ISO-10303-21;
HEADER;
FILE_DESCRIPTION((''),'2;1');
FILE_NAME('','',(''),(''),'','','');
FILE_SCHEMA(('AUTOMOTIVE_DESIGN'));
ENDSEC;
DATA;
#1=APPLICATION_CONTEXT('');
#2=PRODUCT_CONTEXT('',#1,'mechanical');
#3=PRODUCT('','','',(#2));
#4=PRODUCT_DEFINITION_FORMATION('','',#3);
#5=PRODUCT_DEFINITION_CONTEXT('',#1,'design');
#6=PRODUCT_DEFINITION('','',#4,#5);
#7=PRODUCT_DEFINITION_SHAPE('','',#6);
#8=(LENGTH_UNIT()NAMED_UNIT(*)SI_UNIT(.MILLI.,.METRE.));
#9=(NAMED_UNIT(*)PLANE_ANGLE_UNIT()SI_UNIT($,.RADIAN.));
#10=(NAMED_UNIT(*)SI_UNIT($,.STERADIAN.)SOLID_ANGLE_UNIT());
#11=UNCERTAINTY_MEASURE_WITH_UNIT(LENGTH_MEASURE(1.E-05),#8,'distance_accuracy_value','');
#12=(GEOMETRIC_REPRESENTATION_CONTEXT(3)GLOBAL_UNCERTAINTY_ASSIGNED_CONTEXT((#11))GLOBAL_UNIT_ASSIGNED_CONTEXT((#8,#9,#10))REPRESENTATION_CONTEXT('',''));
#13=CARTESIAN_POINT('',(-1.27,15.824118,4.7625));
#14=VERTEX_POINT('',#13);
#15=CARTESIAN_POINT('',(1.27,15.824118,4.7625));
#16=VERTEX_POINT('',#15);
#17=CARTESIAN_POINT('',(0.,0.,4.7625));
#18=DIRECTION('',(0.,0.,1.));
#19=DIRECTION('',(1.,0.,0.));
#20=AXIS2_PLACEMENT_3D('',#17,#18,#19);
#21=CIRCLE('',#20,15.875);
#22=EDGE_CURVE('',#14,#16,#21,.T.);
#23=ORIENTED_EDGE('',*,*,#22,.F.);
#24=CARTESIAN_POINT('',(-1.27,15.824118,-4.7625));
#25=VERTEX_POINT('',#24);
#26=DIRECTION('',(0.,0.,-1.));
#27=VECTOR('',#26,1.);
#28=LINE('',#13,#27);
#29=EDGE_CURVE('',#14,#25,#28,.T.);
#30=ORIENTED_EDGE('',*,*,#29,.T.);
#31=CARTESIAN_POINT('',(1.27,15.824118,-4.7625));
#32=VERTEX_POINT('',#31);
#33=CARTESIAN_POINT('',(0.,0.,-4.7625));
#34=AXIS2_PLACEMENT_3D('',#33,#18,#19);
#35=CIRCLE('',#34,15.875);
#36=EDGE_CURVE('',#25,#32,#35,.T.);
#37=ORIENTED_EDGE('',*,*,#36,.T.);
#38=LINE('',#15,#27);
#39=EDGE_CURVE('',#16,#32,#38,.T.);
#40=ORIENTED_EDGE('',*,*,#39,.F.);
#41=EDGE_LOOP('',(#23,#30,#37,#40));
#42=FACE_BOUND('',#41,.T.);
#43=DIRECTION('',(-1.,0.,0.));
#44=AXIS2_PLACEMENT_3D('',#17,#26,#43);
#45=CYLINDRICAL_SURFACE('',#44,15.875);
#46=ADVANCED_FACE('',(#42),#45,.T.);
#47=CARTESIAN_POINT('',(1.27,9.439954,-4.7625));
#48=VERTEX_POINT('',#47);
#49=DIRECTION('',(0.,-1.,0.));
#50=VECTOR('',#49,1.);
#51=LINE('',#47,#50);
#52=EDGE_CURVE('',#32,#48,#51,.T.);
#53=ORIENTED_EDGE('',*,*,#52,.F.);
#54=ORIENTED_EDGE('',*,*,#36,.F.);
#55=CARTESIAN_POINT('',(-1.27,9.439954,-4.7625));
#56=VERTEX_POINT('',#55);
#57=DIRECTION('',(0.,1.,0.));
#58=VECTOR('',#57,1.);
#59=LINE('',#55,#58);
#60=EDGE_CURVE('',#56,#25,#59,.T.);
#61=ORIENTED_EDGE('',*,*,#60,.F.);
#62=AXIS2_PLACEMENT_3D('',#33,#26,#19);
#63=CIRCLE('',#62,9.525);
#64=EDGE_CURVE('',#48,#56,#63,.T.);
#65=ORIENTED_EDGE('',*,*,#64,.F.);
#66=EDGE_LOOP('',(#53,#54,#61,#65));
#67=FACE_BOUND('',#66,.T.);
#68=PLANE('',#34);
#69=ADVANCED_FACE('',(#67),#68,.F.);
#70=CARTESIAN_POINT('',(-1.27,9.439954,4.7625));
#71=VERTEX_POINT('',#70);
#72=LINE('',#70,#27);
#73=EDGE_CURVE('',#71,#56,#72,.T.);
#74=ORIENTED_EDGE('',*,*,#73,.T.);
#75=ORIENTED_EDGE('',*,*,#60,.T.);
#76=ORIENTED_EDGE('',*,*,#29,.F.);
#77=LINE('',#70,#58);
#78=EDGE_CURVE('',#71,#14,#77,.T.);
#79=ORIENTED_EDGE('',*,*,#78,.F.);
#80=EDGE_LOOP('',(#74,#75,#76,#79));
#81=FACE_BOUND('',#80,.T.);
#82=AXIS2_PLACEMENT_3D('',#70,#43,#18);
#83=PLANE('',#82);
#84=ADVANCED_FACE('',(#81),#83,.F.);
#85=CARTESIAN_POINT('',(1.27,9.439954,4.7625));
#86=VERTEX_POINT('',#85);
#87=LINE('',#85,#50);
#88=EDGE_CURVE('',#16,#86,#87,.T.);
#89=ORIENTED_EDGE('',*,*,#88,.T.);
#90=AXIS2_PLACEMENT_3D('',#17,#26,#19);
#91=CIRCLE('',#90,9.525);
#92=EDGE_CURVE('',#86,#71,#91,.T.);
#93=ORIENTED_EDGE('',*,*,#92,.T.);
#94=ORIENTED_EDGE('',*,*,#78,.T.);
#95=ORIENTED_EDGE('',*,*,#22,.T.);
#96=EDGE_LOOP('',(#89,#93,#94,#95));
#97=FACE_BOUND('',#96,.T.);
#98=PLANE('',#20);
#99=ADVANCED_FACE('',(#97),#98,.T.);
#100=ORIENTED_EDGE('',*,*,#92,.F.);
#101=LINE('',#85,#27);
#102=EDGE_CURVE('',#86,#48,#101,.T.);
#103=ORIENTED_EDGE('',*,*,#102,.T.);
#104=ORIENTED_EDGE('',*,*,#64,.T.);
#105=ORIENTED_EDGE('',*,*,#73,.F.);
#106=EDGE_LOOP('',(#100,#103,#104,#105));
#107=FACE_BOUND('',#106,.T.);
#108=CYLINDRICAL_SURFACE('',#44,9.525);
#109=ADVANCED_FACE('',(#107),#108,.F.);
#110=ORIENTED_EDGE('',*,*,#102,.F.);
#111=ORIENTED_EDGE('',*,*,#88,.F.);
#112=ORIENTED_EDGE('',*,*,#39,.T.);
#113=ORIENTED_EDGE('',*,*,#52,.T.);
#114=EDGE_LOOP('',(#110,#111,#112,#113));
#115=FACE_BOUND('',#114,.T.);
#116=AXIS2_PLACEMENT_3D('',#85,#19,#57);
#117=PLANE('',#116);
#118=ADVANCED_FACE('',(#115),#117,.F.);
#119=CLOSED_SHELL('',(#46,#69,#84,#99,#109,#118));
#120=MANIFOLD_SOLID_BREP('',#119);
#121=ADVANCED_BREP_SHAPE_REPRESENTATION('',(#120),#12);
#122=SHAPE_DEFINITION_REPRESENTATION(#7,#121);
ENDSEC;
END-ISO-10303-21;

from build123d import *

# Parameters (mm, degrees)
BOSS_EXTRUDE2_DEPTH = 4.7625


with BuildPart() as part:
    # Sketch1 → Boss-Extrude2 (new, symmetric)
    with BuildSketch(Plane.XY):
        with BuildLine():
            Line((1.27, 9.439953655), (1.27, 15.824118459))
            ThreePointArc((1.27, 15.824118459), (0, -15.875), (-1.27, 15.824118459))
            Line((-1.27, 15.824118459), (-1.27, 9.439953655))
            ThreePointArc((-1.27, 9.439953655), (0, -9.525), (1.27, 9.439953655))
        make_face()
    extrude(amount=BOSS_EXTRUDE2_DEPTH, both=True)


solid = part.part
